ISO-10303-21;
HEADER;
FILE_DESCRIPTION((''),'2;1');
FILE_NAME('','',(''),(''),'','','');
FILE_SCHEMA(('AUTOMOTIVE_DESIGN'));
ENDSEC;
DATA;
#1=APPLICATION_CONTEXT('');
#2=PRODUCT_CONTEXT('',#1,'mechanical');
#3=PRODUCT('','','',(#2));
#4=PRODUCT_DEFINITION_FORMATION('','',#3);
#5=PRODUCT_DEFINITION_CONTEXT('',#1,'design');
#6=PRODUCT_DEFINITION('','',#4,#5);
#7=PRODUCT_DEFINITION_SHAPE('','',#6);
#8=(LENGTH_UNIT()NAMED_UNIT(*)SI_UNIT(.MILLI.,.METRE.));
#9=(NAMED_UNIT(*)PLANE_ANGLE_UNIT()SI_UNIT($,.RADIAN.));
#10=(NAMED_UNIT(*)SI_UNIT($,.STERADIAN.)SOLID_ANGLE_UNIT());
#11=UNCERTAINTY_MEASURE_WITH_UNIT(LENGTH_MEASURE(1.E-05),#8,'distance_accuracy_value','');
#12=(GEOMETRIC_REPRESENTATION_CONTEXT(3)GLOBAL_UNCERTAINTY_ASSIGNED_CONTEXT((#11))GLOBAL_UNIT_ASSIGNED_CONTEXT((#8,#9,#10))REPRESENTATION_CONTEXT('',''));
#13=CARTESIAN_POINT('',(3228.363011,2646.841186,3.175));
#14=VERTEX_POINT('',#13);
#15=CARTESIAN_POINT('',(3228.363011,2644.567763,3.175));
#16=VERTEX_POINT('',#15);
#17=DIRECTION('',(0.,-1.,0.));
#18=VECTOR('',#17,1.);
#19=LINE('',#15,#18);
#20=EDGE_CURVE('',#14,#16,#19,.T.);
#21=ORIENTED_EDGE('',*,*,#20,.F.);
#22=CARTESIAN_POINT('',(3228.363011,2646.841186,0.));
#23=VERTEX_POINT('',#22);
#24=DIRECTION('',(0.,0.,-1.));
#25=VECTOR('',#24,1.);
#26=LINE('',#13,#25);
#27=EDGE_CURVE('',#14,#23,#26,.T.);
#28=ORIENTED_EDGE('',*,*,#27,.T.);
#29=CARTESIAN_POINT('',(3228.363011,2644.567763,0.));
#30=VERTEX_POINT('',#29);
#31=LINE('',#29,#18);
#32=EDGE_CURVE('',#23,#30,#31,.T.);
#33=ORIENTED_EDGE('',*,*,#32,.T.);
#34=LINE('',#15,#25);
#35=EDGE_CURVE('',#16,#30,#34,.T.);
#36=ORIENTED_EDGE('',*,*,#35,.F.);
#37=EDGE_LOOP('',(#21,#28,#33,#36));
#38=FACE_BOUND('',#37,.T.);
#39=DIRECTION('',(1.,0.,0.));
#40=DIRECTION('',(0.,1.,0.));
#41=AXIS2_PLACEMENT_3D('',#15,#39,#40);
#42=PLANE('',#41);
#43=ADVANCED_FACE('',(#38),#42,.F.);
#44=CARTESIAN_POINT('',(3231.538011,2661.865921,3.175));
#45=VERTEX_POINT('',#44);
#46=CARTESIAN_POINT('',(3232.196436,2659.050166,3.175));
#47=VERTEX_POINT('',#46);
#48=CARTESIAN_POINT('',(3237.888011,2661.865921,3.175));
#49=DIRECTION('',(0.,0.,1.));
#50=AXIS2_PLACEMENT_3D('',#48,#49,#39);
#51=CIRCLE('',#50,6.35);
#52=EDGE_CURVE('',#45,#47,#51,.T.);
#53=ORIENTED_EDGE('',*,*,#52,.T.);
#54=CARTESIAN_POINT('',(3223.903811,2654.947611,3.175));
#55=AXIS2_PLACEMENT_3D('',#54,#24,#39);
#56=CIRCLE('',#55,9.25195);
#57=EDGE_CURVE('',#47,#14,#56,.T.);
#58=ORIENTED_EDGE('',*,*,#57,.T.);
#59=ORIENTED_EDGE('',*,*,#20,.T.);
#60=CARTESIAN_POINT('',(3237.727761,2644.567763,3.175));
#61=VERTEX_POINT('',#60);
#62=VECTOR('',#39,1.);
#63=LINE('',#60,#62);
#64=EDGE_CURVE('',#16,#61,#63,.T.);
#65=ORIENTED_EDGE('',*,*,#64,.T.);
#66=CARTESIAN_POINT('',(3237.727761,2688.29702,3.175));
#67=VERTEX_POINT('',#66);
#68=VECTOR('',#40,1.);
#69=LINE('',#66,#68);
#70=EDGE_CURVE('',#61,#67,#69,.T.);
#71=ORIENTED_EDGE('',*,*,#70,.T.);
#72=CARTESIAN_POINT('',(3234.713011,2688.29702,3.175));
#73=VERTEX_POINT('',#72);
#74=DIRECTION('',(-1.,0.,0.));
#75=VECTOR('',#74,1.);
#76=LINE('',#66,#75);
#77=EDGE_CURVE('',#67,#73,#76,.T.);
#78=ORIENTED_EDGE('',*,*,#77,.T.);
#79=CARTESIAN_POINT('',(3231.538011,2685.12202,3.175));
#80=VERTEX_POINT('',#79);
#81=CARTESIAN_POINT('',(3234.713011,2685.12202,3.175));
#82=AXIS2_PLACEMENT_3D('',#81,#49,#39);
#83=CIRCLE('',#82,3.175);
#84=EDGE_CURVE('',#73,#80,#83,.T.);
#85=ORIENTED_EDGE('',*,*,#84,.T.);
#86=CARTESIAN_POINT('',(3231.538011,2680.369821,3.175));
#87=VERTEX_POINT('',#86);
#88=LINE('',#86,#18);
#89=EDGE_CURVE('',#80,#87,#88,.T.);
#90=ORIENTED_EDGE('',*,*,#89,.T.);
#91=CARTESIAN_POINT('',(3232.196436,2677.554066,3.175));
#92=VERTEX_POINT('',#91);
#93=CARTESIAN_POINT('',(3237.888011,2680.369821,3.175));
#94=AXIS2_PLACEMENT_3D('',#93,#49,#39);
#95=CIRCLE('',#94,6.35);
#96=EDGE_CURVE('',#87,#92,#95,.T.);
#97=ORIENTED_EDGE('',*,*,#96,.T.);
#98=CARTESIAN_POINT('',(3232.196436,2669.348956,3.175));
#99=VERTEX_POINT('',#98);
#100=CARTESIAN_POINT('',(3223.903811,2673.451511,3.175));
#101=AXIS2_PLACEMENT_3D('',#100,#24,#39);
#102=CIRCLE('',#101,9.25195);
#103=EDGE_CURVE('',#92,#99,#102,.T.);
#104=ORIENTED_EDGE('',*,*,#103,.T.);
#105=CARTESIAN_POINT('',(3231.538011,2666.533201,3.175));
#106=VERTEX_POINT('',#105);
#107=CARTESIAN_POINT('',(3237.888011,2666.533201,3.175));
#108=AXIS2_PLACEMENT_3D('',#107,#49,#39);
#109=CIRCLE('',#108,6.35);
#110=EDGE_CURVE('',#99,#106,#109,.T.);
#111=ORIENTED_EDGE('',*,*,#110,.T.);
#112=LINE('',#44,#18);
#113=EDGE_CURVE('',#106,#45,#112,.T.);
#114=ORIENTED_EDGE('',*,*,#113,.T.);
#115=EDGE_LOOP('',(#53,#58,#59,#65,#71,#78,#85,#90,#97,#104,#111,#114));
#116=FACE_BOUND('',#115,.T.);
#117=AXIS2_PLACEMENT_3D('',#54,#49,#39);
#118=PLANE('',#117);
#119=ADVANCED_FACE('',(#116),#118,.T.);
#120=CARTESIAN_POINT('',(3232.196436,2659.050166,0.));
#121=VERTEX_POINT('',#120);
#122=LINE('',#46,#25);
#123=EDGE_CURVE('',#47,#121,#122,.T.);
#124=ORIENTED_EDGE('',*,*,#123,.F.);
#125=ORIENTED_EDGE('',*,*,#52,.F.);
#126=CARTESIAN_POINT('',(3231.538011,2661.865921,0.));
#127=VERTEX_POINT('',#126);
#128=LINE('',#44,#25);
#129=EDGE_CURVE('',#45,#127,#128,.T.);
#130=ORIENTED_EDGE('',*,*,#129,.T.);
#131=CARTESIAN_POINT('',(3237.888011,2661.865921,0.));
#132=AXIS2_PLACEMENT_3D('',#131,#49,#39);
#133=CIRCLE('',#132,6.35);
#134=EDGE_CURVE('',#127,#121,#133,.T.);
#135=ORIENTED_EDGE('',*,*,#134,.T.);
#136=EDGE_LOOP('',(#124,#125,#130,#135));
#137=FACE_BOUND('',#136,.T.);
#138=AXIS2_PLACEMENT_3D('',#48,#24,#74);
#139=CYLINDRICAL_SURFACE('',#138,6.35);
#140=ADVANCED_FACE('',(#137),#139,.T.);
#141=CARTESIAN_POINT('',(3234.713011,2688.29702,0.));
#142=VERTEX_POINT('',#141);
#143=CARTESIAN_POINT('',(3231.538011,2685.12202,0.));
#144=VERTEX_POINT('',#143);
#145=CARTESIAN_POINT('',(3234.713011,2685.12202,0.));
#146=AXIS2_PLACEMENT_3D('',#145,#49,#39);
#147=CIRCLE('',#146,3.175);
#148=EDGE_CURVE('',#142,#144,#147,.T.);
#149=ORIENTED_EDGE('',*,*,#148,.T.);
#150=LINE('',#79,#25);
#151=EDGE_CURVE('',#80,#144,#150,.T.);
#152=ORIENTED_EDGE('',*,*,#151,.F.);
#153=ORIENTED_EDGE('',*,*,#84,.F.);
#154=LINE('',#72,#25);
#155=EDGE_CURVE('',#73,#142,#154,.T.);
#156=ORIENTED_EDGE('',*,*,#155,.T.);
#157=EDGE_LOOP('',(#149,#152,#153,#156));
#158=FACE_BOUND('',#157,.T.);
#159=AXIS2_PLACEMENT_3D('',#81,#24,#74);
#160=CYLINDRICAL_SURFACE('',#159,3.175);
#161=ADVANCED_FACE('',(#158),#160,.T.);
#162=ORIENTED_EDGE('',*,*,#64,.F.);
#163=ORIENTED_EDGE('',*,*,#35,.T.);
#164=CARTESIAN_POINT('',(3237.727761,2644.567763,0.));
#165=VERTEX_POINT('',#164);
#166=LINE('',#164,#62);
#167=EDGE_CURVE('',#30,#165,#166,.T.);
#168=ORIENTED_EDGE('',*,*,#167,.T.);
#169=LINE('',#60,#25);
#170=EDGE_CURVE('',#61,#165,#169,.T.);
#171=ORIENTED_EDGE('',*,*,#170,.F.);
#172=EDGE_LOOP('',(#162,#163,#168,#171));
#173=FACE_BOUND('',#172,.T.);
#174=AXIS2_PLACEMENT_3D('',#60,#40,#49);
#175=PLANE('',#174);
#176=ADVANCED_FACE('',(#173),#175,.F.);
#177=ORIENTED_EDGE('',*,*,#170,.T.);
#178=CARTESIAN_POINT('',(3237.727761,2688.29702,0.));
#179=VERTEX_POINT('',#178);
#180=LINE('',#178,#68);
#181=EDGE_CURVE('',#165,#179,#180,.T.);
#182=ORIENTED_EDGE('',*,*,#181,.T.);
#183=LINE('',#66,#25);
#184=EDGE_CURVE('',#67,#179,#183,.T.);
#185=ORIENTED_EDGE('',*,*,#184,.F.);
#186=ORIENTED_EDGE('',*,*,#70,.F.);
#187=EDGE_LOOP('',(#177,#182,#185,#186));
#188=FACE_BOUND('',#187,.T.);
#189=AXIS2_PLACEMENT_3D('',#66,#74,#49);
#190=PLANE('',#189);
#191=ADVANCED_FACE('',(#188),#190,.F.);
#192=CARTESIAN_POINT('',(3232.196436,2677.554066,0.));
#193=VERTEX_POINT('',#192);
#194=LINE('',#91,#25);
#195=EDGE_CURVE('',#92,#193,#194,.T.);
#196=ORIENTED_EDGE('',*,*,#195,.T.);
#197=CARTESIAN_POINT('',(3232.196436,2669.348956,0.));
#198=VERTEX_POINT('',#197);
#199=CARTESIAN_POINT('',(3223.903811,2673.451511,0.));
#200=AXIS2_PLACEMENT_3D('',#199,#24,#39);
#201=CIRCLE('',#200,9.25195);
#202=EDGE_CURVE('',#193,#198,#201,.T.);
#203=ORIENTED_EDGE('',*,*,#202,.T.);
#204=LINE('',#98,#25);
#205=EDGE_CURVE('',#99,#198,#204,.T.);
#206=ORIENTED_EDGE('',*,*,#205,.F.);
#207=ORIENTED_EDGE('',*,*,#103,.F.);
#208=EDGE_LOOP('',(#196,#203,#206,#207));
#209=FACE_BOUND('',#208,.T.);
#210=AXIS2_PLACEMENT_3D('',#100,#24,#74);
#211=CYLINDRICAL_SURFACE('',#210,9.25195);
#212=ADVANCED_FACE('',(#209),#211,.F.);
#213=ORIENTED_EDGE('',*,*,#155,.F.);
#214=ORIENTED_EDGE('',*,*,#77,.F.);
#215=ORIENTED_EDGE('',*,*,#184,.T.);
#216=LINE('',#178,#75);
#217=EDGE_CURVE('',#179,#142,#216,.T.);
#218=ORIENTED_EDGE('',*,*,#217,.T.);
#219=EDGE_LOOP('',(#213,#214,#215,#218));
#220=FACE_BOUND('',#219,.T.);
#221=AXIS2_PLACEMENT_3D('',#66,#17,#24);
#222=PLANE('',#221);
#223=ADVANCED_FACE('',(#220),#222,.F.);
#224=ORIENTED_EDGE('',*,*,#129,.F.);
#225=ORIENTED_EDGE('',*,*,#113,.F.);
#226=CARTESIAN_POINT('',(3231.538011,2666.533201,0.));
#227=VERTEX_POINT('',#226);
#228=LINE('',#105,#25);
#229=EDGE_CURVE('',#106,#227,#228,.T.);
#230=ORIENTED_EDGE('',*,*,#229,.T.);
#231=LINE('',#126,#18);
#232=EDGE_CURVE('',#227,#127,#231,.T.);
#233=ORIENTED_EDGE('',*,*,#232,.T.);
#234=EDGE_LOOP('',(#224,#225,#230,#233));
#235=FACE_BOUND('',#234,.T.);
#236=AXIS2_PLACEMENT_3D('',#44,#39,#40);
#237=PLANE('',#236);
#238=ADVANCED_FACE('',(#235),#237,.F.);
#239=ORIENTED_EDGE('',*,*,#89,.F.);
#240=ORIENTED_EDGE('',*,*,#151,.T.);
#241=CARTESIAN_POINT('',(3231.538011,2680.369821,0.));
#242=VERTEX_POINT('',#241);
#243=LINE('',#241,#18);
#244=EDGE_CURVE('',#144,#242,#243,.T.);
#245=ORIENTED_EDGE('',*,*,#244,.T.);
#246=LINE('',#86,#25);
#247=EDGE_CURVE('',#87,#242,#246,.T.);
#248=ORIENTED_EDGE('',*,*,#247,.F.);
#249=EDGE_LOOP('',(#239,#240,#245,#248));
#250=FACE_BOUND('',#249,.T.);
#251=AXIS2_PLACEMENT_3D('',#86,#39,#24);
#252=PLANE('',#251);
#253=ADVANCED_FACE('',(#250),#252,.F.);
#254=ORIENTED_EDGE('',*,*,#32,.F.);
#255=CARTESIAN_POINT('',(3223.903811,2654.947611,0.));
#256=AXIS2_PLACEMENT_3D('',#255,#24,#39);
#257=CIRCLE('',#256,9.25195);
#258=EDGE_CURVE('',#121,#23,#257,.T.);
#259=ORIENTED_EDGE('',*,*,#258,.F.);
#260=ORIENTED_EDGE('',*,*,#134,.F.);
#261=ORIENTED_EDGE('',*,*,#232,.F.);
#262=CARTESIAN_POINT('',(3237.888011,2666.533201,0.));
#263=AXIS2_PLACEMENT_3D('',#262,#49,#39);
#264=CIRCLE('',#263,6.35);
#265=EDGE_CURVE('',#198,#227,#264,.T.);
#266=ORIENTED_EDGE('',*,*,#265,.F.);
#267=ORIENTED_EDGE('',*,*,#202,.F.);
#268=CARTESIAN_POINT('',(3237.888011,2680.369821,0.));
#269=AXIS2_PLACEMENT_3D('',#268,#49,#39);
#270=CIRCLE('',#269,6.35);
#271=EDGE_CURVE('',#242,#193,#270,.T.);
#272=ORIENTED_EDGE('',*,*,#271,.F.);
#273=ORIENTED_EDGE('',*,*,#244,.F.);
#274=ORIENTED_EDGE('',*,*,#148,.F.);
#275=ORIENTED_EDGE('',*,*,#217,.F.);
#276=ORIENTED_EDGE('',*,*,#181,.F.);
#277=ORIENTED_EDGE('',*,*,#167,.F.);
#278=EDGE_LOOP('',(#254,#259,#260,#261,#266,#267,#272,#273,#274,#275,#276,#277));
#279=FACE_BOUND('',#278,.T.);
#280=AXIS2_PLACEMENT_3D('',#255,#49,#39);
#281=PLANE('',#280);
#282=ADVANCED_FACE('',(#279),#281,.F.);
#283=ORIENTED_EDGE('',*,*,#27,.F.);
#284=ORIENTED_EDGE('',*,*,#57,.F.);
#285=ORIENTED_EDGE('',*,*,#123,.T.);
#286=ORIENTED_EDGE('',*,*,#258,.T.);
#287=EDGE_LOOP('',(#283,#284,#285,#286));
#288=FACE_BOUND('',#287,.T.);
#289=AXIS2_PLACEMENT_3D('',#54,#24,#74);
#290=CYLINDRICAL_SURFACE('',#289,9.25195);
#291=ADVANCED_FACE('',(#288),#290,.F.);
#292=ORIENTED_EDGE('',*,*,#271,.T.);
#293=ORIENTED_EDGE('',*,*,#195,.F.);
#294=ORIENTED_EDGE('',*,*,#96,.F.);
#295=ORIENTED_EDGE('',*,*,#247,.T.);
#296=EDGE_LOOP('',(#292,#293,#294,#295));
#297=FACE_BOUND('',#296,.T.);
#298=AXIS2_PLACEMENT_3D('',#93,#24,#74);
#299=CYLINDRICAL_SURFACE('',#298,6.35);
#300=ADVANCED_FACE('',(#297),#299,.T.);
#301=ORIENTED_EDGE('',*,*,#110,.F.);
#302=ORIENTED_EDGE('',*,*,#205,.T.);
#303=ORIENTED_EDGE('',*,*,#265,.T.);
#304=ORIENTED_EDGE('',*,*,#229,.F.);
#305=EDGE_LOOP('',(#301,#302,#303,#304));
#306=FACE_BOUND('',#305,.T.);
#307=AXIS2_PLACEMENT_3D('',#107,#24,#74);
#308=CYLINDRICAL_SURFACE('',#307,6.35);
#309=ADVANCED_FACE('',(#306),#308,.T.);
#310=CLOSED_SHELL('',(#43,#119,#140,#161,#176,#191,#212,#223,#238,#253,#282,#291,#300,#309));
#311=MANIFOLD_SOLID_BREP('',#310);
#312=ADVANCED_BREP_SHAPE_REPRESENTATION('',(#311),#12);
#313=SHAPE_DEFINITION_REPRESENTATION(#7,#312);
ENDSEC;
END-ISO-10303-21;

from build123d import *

# Parameters (mm, degrees)
BOSS_EXTRUDE1_DEPTH = 3.175


with BuildPart() as part:
    # Sketch1 → Boss-Extrude1 (new body)
    with BuildSketch(Plane.XY):
        with BuildLine():
            Line((3237.727761218, 2688.297020075), (3237.727761218, 2644.567763294))
            Line((3237.727761218, 2644.567763294), (3228.363010537, 2644.567763294))
            Line((3228.363010537, 2644.567763294), (3228.363010537, 2646.841186109))
            ThreePointArc((3228.363010537, 2646.841186109), (3232.730874641, 2652.176053388), (3232.196435723, 2659.050165748))
            ThreePointArc((3232.196435723, 2659.050165748), (3231.704807481, 2660.420064597), (3231.538010537, 2661.865920732))
            Line((3231.538010537, 2661.865920732), (3231.538010537, 2666.53320074))
            ThreePointArc((3231.538010537, 2666.53320074), (3231.704807481, 2667.979056876), (3232.196435723, 2669.348955725))
            ThreePointArc((3232.196435723, 2669.348955725), (3233.155761218, 2673.451510736), (3232.196435723, 2677.554065748))
            ThreePointArc((3232.196435723, 2677.554065748), (3231.704807481, 2678.923964597), (3231.538010537, 2680.369820732))
            Line((3231.538010537, 2680.369820732), (3231.538010537, 2685.122020075))
            ThreePointArc((3231.538010537, 2685.122020075), (3232.467946507, 2687.367084106), (3234.713010537, 2688.297020075))
            Line((3234.713010537, 2688.297020075), (3237.727761218, 2688.297020075))
        make_face()
    extrude(amount=BOSS_EXTRUDE1_DEPTH)


solid = part.part
